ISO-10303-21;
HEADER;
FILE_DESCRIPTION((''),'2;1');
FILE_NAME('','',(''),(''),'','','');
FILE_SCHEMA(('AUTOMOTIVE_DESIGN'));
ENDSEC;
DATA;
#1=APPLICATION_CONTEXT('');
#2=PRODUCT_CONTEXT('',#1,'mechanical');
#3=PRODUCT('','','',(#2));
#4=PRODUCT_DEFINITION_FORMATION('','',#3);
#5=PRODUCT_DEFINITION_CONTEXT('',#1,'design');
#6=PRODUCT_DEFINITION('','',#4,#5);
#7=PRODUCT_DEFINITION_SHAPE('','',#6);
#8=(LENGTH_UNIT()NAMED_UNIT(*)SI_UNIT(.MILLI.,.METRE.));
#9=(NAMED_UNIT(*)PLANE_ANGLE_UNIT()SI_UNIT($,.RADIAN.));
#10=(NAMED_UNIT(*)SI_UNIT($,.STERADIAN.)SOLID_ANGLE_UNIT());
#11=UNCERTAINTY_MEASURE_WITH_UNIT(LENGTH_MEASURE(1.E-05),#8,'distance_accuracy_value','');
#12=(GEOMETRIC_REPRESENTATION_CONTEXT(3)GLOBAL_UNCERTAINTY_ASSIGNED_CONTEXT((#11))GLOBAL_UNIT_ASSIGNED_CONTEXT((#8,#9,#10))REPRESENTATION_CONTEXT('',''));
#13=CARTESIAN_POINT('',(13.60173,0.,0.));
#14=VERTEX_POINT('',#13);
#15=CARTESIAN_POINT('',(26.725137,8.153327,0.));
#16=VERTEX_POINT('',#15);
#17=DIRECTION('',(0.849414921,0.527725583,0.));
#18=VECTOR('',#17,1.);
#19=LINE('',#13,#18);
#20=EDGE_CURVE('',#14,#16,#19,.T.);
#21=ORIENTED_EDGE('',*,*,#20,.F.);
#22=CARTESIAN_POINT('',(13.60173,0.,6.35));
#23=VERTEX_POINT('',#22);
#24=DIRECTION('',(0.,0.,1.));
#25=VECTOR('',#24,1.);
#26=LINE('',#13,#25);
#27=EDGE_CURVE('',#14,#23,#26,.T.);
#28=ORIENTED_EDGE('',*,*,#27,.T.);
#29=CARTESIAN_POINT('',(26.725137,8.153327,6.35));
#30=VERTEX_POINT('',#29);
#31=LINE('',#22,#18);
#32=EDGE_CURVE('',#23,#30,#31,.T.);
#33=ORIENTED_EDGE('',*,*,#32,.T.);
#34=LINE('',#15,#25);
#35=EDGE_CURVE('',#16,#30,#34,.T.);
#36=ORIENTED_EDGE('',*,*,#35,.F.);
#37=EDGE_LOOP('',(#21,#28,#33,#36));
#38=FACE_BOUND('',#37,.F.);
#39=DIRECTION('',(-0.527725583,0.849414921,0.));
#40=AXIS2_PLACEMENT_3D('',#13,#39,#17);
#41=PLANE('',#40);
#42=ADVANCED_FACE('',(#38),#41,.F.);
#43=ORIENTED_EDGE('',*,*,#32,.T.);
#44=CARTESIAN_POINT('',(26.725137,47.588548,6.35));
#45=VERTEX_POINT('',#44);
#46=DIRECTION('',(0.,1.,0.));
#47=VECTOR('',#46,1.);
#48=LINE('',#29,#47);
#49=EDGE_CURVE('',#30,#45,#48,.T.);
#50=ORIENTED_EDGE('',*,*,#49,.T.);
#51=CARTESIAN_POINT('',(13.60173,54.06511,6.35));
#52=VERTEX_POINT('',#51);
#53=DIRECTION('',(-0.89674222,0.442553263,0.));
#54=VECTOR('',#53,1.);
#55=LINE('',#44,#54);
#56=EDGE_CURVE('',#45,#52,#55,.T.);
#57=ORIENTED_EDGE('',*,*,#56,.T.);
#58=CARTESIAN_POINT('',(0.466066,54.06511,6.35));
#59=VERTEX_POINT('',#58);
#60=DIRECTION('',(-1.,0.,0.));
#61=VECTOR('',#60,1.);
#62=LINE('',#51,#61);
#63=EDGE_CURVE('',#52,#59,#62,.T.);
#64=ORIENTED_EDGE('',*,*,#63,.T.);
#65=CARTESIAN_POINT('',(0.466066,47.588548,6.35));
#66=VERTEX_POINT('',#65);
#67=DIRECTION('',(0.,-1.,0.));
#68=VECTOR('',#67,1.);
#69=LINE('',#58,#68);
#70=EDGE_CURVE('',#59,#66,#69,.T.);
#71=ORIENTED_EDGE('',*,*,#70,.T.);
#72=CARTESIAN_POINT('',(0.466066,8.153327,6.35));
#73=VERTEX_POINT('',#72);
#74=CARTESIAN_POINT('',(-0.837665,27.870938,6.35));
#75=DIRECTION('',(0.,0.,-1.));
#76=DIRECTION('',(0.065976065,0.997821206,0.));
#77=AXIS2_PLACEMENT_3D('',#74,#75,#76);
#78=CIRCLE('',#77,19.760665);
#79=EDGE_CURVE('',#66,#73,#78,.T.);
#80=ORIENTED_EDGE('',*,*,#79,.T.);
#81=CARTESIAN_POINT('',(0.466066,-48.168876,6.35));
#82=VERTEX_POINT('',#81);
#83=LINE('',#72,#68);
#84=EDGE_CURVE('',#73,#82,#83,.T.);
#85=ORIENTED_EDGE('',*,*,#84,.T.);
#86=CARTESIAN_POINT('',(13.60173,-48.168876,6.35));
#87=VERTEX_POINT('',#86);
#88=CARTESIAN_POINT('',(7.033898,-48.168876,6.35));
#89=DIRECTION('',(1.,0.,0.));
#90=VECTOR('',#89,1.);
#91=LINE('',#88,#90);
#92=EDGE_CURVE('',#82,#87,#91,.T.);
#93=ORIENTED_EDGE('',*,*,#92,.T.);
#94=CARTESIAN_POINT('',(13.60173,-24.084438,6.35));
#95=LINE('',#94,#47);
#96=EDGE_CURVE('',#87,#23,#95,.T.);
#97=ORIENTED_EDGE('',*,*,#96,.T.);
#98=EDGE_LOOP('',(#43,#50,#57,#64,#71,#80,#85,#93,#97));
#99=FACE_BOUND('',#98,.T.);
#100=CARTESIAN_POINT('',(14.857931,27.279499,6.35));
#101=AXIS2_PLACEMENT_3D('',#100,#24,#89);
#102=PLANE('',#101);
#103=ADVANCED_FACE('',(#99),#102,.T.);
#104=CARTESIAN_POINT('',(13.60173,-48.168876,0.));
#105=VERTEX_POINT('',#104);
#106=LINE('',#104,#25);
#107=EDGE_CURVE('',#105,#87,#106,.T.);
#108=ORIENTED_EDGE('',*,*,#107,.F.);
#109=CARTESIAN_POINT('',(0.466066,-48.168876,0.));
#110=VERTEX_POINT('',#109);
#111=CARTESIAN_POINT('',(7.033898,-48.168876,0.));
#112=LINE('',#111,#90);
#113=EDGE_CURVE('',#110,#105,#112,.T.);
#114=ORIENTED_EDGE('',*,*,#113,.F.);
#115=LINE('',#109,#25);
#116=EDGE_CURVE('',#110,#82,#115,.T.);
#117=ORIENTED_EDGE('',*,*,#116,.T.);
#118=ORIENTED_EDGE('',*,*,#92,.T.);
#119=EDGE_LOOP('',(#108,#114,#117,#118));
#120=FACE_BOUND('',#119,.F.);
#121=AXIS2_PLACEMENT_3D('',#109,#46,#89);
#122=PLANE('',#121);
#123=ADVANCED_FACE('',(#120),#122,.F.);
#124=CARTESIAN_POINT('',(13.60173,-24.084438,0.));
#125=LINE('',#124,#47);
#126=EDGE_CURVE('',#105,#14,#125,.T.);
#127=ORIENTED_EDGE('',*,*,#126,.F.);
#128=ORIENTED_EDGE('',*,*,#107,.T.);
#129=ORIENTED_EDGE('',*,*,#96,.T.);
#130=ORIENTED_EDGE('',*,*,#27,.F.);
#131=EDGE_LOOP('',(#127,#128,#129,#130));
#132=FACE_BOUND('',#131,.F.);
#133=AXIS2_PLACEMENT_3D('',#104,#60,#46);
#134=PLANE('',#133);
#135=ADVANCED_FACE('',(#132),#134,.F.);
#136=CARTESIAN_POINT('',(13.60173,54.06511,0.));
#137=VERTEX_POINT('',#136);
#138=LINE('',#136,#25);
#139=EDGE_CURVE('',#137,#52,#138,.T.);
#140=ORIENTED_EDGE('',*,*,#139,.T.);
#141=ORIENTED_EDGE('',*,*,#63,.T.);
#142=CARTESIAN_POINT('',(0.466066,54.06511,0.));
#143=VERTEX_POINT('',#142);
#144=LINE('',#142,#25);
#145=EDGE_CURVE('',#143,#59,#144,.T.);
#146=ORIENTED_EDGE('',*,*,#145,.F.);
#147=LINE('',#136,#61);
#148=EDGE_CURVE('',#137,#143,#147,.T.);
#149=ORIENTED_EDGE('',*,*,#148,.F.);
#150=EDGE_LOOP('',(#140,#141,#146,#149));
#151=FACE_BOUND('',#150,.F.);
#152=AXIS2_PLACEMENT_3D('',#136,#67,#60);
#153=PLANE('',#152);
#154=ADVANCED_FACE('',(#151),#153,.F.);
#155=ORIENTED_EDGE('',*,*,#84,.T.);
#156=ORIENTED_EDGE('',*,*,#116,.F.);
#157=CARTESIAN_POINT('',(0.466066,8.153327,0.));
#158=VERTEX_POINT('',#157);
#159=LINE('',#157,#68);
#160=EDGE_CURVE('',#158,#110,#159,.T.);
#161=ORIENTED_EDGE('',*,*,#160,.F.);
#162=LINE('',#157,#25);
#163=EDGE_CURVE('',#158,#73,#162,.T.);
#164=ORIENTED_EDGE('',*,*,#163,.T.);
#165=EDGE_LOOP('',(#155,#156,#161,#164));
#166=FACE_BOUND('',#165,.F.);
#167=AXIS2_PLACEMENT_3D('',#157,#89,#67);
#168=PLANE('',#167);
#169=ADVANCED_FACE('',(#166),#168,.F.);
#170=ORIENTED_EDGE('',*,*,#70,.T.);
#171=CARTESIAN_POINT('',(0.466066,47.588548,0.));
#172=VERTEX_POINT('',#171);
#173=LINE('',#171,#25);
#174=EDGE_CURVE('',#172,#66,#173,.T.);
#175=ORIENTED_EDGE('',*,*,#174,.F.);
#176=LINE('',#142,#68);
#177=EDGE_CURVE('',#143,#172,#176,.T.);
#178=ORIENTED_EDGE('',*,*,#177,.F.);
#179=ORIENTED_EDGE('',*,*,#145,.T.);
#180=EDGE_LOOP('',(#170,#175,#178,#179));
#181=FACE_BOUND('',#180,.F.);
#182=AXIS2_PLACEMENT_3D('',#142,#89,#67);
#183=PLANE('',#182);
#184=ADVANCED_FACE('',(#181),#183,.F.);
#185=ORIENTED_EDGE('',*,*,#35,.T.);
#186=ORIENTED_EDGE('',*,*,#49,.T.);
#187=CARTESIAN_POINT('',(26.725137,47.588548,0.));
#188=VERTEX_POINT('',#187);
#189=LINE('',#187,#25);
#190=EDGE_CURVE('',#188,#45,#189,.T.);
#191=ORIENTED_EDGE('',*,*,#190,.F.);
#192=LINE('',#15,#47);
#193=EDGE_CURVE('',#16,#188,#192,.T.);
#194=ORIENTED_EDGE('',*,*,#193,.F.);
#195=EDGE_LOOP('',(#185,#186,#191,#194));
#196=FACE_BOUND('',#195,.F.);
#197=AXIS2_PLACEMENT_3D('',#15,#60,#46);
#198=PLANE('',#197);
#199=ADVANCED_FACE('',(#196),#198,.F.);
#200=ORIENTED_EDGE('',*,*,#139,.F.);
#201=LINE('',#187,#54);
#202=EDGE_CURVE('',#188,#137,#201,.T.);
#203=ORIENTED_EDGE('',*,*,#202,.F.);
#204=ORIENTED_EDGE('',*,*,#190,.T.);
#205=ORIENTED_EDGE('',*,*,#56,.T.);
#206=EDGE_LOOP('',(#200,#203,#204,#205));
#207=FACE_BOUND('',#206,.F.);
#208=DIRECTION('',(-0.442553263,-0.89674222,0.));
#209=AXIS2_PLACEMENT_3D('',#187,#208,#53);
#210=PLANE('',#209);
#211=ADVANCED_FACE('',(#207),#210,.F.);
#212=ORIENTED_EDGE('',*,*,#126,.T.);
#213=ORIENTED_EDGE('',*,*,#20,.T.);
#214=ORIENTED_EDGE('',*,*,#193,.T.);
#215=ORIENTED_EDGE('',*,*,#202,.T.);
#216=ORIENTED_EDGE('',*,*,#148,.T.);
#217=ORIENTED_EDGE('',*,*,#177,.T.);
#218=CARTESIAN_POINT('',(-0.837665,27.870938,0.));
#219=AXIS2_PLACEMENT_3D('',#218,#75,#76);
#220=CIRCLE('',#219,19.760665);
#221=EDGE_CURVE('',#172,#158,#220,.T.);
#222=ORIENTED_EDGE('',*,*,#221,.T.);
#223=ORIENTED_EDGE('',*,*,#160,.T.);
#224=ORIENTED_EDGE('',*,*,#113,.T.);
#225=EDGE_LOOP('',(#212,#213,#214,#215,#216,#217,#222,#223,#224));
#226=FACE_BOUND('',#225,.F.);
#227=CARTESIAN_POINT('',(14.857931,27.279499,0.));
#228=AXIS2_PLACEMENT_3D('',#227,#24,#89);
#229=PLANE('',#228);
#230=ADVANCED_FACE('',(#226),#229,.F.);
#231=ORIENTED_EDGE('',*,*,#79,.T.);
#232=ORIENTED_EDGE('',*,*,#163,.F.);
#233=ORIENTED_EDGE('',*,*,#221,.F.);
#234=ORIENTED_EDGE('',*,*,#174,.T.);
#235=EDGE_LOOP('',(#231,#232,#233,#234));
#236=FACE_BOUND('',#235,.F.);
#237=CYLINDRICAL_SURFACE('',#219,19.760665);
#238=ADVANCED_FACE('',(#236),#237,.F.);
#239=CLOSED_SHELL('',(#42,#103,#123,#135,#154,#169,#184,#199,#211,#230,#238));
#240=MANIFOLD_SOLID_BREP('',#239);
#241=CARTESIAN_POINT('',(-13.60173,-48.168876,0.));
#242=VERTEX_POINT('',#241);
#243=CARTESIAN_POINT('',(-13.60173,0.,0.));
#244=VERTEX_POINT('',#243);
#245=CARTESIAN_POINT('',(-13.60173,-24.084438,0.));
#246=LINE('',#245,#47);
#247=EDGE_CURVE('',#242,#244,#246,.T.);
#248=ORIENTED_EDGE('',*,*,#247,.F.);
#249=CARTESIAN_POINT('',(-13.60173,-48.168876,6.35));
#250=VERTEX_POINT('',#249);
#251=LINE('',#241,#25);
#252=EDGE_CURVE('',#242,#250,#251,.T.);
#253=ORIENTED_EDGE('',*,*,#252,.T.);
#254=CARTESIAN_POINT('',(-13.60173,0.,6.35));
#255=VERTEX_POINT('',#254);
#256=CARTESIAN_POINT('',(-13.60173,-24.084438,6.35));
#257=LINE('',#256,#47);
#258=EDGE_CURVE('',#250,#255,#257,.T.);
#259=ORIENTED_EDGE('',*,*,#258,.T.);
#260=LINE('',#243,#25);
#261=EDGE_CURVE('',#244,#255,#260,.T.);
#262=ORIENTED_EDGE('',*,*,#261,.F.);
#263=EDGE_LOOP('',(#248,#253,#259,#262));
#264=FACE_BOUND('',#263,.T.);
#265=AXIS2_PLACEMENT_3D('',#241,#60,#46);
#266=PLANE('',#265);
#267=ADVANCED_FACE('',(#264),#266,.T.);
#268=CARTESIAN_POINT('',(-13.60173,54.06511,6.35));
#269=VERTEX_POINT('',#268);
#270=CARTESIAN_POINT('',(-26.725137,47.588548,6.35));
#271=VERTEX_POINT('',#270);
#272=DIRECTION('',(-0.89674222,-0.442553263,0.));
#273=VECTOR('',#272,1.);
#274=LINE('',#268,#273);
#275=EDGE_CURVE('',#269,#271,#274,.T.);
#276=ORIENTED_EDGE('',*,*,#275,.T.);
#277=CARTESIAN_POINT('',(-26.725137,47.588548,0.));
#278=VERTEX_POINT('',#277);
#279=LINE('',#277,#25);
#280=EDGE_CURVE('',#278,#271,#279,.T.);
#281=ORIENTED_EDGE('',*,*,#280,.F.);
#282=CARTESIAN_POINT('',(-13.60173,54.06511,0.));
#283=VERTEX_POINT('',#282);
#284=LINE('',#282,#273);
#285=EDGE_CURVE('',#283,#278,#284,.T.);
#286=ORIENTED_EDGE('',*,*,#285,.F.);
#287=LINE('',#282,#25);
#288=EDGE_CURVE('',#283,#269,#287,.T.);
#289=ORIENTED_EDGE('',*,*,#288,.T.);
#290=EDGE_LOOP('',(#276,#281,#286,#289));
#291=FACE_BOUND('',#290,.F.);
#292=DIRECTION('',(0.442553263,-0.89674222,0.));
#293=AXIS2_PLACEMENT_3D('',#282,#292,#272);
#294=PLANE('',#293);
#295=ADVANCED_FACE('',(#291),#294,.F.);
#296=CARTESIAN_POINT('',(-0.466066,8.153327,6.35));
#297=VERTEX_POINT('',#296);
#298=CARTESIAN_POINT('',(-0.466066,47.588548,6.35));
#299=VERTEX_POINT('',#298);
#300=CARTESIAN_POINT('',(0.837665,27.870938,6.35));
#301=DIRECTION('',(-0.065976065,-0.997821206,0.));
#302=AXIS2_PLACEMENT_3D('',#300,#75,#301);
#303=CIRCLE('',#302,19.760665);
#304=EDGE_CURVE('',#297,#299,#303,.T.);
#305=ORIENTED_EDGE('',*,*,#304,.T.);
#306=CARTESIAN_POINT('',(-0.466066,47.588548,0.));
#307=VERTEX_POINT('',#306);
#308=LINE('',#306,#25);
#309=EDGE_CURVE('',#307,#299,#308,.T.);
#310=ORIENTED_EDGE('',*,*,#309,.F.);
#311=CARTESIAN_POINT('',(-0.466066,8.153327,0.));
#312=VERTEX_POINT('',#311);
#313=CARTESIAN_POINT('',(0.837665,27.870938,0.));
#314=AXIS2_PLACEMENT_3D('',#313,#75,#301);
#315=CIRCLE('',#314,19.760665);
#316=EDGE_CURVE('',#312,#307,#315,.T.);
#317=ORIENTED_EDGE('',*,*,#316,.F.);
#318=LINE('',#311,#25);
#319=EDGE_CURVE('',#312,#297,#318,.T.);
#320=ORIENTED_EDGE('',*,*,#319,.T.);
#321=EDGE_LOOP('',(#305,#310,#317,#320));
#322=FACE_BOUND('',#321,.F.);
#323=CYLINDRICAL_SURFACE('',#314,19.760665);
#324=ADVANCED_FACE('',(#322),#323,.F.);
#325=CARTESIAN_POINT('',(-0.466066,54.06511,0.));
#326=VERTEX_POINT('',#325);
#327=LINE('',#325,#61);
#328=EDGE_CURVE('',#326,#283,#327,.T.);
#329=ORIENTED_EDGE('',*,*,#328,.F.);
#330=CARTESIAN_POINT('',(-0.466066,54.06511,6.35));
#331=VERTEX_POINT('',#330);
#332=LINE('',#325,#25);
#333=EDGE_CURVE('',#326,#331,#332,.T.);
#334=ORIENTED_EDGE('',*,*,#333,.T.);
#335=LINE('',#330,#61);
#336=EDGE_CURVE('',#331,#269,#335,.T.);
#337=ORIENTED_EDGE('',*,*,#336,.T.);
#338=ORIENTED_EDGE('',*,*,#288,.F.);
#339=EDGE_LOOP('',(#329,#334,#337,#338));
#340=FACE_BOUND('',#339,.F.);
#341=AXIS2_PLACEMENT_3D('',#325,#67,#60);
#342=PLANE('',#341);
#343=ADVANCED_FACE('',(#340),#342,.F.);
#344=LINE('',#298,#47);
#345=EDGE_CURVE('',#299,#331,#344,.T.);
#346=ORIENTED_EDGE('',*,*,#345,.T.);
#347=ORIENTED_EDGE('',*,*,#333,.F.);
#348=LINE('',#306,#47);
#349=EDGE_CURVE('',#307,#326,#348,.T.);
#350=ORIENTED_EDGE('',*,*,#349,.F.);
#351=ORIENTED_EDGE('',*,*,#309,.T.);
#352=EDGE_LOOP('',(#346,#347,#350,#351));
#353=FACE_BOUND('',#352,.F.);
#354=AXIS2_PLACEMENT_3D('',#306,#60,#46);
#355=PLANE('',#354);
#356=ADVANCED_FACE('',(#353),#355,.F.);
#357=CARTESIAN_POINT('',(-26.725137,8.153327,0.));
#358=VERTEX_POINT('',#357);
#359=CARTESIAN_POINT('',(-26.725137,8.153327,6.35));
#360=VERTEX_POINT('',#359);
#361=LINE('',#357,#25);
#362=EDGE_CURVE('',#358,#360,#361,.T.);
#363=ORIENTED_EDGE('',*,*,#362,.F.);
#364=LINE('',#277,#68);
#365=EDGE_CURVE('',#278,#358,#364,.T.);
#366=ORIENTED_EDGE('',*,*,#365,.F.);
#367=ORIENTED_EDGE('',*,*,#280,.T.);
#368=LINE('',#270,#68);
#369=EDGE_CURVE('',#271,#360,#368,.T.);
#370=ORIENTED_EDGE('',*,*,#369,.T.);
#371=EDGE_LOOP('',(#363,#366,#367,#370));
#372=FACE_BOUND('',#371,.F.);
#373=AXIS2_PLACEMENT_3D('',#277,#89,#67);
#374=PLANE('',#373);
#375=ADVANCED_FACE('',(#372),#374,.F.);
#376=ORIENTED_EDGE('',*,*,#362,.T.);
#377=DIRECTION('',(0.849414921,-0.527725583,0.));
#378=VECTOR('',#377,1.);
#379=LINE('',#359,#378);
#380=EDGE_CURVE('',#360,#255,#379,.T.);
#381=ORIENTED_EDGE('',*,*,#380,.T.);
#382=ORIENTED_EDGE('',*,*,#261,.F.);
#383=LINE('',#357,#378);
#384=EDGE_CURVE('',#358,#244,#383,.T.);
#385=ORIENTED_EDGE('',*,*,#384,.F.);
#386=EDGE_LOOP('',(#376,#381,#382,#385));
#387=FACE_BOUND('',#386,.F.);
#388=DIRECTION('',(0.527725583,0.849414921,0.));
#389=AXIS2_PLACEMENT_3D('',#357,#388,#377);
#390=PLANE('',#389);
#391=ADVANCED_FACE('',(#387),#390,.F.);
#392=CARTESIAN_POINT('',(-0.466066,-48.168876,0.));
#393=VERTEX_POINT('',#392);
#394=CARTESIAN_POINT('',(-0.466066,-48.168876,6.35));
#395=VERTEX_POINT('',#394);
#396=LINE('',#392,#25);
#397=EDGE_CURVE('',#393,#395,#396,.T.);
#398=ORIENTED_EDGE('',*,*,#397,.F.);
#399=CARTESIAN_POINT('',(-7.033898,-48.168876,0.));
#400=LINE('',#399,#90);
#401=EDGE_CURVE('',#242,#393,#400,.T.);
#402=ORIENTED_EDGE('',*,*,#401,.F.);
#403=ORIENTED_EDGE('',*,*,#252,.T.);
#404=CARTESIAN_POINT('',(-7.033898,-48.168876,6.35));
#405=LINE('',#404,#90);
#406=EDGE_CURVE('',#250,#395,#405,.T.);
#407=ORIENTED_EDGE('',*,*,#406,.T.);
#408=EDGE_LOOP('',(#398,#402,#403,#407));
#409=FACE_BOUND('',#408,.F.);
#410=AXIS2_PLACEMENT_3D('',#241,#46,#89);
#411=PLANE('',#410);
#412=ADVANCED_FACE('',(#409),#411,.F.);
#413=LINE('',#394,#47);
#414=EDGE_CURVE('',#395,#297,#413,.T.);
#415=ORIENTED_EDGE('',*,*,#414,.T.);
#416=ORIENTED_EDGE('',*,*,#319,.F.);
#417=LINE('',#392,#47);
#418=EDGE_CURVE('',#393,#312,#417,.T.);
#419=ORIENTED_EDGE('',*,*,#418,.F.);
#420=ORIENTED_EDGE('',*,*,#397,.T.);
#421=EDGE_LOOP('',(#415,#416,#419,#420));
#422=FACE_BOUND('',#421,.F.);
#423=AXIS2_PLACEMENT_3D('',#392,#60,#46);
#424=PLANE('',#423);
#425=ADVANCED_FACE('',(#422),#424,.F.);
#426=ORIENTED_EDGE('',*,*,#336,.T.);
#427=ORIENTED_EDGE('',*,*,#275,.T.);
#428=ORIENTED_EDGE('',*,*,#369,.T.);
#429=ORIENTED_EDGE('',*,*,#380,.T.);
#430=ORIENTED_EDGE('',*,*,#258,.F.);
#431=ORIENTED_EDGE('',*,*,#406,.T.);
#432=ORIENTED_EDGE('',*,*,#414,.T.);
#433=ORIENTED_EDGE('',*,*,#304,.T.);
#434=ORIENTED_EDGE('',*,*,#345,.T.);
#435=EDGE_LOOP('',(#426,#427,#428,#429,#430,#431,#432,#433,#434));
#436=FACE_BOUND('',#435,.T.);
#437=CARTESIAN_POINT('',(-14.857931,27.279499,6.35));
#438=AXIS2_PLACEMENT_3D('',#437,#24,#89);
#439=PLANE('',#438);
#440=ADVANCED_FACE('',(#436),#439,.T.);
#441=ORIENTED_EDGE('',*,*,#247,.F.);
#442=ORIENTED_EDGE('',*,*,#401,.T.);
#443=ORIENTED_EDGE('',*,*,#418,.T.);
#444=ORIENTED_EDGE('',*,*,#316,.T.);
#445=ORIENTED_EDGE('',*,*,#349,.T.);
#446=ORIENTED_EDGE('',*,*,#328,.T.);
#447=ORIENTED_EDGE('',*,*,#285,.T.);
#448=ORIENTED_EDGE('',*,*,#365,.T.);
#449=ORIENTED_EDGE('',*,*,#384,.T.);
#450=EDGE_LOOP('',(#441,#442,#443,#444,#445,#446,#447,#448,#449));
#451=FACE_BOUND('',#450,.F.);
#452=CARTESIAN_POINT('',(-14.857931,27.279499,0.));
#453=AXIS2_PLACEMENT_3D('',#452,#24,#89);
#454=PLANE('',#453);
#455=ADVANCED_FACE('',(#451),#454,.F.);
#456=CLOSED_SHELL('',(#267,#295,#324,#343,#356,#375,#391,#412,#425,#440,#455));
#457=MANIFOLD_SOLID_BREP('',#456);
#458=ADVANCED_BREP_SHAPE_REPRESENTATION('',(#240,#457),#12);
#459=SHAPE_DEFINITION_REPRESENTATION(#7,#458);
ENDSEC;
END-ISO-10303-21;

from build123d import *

# Parameters (mm, degrees)
F0_W     = 13.135664
F0_H     = 48.168876
F1_DEPTH = 6.35


with BuildPart() as f1:
    # F0 (on Top) → F1 (new body)
    with BuildSketch(Plane.XY):
        with BuildLine():
            Line((-13.60173, 0), (-0.466066, 0))
            Line((-0.466066, 0), (-0.466066, 8.153327))
            ThreePointArc((-0.466066, 8.153327), (-18.923, 27.870937), (-0.466066, 47.588548))
            Line((-0.466066, 47.588548), (-0.466066, 54.06511))
            Line((-0.466066, 54.06511), (-13.60173, 54.06511))
            Line((-13.60173, 54.06511), (-26.725137, 47.588548))
            Line((-26.725137, 47.588548), (-26.725137, 8.153327))
            Line((-26.725137, 8.153327), (-13.60173, 0))
        make_face()
        with BuildLine():
            Line((0.466066, 8.153327), (0.466066, 0))
            Line((0.466066, 0), (13.60173, 0))
            Line((13.60173, 0), (26.725137, 8.153327))
            Line((26.725137, 8.153327), (26.725137, 47.588548))
            Line((26.725137, 47.588548), (13.60173, 54.06511))
            Line((13.60173, 54.06511), (0.466066, 54.06511))
            Line((0.466066, 54.06511), (0.466066, 47.588548))
            ThreePointArc((0.466066, 47.588548), (18.923, 27.870937), (0.466066, 8.153327))
        make_face()
        with Locations((7.033898, -24.084438)):
            Rectangle(F0_W, F0_H)
        with Locations((-7.033898, -24.084438)):
            Rectangle(F0_W, F0_H)
    extrude(amount=F1_DEPTH)


solid = f1.part
